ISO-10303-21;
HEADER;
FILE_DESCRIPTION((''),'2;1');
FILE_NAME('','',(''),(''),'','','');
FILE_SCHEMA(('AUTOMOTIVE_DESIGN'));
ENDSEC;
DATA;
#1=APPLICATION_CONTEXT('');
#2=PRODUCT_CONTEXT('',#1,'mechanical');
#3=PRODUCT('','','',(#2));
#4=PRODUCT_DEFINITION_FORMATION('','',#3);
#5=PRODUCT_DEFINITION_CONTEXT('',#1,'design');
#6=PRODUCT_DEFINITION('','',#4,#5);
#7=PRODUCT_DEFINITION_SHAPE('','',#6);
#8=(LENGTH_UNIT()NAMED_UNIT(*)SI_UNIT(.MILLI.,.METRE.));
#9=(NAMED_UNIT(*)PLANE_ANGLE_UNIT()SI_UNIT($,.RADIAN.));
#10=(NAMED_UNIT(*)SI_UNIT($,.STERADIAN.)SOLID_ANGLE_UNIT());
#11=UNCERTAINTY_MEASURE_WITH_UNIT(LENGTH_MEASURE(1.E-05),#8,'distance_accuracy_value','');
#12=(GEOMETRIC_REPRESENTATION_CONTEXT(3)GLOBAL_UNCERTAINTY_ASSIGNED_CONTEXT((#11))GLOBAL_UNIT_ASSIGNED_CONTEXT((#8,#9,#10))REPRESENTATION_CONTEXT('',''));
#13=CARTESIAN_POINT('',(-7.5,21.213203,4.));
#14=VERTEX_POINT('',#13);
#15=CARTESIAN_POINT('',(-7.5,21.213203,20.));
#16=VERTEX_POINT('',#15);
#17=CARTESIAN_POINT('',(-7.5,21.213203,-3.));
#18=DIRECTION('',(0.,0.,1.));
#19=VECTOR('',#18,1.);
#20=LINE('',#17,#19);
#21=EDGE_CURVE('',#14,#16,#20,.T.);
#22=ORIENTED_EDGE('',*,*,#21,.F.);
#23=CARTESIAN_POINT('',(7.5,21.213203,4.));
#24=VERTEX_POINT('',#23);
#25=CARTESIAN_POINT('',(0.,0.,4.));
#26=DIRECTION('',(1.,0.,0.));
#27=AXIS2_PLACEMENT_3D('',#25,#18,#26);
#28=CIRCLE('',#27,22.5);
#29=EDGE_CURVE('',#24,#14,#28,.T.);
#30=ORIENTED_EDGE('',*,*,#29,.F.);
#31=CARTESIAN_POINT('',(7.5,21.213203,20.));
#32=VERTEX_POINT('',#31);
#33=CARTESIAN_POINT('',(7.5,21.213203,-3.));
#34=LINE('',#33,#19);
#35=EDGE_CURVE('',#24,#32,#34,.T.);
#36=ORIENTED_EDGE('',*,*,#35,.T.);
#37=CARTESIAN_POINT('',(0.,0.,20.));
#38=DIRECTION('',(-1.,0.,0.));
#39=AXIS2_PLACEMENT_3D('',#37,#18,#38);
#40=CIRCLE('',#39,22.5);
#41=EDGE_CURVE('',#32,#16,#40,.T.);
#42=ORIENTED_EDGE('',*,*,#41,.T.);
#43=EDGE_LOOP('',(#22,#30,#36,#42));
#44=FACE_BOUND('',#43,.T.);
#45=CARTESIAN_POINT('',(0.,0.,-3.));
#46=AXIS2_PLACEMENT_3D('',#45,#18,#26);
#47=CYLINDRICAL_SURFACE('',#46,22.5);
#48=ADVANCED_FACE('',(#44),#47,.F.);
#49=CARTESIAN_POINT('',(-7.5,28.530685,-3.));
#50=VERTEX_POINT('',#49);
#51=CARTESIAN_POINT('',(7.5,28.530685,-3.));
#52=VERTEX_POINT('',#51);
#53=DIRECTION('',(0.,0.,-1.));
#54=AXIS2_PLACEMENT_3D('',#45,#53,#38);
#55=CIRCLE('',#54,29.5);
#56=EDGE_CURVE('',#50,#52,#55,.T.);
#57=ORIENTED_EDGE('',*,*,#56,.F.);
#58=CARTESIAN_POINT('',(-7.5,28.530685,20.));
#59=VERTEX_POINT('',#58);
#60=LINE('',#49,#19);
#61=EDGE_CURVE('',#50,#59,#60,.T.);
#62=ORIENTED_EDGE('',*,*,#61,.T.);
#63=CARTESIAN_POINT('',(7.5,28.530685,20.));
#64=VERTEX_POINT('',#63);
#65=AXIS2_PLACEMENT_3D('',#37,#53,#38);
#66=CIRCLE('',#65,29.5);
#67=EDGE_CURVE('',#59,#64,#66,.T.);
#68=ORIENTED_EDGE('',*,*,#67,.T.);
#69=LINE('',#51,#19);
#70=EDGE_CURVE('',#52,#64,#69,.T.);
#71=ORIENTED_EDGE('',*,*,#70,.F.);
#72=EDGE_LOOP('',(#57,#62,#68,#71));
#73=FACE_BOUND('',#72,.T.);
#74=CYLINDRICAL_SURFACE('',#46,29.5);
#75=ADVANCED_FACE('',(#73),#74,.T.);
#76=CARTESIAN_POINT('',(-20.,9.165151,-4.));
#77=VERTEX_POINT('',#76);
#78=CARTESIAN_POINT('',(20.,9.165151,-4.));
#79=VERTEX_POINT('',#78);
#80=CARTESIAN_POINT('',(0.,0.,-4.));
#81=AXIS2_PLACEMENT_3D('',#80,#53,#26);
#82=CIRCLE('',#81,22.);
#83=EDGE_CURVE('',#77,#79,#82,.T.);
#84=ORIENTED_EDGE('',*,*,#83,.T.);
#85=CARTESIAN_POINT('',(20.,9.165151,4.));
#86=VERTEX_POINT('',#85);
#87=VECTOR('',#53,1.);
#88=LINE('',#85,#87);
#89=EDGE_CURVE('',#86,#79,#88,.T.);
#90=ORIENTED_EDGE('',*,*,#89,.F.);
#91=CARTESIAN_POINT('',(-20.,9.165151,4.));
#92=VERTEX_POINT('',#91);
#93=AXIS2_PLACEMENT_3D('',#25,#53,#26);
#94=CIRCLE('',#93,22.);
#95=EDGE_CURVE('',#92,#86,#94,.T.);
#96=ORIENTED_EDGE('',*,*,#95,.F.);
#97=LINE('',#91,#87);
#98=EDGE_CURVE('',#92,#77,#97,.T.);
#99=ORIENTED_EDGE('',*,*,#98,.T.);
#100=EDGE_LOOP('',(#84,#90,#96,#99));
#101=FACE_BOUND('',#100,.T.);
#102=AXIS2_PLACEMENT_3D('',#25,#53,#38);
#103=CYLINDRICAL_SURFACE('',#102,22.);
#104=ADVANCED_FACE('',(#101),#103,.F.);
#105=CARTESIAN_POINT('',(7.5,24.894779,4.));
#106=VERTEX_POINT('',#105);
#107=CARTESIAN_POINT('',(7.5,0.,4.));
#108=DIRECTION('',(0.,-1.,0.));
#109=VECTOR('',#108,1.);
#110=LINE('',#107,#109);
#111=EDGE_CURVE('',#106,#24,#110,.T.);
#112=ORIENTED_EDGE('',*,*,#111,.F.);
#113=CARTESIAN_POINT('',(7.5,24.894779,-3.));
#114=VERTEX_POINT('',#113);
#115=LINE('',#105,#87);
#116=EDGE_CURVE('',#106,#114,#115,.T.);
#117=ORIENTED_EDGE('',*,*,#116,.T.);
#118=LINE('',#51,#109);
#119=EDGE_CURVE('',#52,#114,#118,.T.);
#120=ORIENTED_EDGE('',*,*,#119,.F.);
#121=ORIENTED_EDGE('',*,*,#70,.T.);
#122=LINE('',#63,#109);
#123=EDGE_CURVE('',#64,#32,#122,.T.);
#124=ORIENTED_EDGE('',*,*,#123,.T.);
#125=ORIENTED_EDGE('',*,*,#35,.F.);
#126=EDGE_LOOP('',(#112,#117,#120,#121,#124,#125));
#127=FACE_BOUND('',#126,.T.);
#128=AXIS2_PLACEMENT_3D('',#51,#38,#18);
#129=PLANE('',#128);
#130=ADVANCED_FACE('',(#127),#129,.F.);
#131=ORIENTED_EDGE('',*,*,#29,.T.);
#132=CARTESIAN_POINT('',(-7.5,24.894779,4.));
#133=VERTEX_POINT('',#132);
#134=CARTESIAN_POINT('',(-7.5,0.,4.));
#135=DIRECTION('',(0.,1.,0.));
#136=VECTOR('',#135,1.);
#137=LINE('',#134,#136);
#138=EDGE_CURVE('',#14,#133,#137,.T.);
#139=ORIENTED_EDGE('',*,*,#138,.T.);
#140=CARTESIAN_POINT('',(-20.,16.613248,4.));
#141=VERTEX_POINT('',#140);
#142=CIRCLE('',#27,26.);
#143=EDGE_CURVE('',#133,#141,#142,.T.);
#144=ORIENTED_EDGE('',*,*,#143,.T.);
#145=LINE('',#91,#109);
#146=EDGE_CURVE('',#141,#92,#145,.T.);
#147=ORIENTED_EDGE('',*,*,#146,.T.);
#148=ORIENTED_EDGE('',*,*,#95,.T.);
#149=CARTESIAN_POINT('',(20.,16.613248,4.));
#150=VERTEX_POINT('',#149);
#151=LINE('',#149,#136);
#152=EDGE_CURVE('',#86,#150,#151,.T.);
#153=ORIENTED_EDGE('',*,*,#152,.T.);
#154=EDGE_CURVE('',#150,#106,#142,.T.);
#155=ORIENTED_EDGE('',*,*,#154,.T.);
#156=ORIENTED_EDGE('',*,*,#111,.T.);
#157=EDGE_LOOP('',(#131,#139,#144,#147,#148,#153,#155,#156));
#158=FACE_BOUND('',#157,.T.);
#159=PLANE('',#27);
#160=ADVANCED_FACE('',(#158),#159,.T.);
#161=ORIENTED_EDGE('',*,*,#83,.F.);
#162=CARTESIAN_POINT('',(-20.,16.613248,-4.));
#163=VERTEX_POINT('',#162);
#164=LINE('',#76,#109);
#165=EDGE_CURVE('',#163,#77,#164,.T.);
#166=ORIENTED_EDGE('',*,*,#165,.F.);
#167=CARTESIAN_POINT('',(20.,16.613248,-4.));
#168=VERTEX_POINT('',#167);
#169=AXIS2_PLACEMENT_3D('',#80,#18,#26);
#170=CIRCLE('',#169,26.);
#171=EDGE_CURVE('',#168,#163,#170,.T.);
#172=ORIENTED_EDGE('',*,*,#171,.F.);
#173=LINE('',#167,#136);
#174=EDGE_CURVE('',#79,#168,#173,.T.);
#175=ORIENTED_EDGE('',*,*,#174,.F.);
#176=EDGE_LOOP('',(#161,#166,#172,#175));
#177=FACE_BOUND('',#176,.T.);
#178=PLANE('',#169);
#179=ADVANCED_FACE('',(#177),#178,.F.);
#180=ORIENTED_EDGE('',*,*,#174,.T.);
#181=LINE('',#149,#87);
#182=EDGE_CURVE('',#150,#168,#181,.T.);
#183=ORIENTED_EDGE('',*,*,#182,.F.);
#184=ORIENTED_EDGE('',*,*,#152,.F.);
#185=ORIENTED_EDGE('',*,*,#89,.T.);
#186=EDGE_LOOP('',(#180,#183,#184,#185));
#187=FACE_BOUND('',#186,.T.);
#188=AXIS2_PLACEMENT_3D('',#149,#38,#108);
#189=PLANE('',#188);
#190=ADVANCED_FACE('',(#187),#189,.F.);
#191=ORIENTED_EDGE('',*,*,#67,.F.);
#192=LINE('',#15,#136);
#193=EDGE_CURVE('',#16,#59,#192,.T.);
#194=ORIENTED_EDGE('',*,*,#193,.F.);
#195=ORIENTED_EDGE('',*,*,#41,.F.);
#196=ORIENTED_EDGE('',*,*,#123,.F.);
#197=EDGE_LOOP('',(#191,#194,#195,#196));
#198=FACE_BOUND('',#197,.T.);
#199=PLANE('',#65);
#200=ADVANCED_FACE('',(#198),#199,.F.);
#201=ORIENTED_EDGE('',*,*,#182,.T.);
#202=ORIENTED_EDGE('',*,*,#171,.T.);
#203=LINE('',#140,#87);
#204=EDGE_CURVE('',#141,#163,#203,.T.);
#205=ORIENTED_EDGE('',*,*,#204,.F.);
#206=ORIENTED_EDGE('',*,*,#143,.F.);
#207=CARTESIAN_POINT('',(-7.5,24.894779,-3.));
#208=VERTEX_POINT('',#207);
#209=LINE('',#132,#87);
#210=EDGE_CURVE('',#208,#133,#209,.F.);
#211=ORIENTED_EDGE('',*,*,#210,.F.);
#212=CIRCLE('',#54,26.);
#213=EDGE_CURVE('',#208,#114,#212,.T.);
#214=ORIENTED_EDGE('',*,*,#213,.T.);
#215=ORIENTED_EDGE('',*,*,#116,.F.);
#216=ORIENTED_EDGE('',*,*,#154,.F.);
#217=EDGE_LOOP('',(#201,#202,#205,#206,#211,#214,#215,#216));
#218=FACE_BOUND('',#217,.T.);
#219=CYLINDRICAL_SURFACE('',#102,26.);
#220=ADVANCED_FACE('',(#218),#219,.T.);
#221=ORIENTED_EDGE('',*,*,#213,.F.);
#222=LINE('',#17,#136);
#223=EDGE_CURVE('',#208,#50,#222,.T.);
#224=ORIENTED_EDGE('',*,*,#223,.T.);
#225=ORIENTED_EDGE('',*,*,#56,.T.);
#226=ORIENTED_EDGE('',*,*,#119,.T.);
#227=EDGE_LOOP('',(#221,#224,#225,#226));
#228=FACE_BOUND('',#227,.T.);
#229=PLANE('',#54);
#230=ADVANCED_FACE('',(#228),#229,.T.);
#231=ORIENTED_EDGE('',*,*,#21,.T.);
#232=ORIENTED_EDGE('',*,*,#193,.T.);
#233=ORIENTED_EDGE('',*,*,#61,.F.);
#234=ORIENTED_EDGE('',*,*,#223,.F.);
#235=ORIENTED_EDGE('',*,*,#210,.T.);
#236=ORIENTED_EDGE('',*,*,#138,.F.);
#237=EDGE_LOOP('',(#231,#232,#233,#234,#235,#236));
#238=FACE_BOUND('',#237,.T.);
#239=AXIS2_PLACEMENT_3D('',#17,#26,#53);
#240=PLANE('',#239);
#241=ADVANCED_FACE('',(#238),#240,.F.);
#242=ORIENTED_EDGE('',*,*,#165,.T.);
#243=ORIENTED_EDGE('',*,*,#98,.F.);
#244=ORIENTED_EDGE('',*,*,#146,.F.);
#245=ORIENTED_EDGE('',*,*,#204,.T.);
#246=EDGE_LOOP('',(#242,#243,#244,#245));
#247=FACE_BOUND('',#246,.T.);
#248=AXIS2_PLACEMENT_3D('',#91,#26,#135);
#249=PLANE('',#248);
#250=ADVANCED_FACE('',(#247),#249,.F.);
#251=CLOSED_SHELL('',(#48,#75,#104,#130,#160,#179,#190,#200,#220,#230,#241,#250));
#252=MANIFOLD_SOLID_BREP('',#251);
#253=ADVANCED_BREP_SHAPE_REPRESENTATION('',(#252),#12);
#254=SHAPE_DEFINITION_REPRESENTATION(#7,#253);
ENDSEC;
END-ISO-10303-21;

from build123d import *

# Parameters (mm, degrees)
EXTRUDE1_DEPTH      = 4
EXTRUDE2_DEPTH      = 7
EXTRUDE2_DEPTH_BACK = 16


with BuildPart() as part:
    # Sketch1 → Extrude1 (new, symmetric)
    with BuildSketch(Plane.XY):
        with BuildLine():
            Line((-20, 9.16515139), (-20, 16.613247726))
            ThreePointArc((-20, 16.613247726), (0, 26), (20, 16.613247726))
            Line((20, 16.613247726), (20, 9.16515139))
            ThreePointArc((20, 9.16515139), (0, 22), (-20, 9.16515139))
        make_face()
    extrude(amount=EXTRUDE1_DEPTH, both=True)

    # Sketch2 → Extrude2 (add, two sides: drawn at the far end of the back side and taken through both)
    with BuildSketch(Plane(origin=(0, 0, 4), x_dir=(-1, 0, 0), z_dir=(0, 0, -1)).offset(-EXTRUDE2_DEPTH_BACK)):
        with BuildLine():
            Line((7.5, 21.213203436), (7.5, 28.530685235))
            ThreePointArc((7.5, 28.530685235), (0, 29.5), (-7.5, 28.530685235))
            Line((-7.5, 28.530685235), (-7.5, 21.213203436))
            ThreePointArc((-7.5, 21.213203436), (0, 22.5), (7.5, 21.213203436))
        make_face()
    extrude(amount=EXTRUDE2_DEPTH + EXTRUDE2_DEPTH_BACK)


solid = part.part
